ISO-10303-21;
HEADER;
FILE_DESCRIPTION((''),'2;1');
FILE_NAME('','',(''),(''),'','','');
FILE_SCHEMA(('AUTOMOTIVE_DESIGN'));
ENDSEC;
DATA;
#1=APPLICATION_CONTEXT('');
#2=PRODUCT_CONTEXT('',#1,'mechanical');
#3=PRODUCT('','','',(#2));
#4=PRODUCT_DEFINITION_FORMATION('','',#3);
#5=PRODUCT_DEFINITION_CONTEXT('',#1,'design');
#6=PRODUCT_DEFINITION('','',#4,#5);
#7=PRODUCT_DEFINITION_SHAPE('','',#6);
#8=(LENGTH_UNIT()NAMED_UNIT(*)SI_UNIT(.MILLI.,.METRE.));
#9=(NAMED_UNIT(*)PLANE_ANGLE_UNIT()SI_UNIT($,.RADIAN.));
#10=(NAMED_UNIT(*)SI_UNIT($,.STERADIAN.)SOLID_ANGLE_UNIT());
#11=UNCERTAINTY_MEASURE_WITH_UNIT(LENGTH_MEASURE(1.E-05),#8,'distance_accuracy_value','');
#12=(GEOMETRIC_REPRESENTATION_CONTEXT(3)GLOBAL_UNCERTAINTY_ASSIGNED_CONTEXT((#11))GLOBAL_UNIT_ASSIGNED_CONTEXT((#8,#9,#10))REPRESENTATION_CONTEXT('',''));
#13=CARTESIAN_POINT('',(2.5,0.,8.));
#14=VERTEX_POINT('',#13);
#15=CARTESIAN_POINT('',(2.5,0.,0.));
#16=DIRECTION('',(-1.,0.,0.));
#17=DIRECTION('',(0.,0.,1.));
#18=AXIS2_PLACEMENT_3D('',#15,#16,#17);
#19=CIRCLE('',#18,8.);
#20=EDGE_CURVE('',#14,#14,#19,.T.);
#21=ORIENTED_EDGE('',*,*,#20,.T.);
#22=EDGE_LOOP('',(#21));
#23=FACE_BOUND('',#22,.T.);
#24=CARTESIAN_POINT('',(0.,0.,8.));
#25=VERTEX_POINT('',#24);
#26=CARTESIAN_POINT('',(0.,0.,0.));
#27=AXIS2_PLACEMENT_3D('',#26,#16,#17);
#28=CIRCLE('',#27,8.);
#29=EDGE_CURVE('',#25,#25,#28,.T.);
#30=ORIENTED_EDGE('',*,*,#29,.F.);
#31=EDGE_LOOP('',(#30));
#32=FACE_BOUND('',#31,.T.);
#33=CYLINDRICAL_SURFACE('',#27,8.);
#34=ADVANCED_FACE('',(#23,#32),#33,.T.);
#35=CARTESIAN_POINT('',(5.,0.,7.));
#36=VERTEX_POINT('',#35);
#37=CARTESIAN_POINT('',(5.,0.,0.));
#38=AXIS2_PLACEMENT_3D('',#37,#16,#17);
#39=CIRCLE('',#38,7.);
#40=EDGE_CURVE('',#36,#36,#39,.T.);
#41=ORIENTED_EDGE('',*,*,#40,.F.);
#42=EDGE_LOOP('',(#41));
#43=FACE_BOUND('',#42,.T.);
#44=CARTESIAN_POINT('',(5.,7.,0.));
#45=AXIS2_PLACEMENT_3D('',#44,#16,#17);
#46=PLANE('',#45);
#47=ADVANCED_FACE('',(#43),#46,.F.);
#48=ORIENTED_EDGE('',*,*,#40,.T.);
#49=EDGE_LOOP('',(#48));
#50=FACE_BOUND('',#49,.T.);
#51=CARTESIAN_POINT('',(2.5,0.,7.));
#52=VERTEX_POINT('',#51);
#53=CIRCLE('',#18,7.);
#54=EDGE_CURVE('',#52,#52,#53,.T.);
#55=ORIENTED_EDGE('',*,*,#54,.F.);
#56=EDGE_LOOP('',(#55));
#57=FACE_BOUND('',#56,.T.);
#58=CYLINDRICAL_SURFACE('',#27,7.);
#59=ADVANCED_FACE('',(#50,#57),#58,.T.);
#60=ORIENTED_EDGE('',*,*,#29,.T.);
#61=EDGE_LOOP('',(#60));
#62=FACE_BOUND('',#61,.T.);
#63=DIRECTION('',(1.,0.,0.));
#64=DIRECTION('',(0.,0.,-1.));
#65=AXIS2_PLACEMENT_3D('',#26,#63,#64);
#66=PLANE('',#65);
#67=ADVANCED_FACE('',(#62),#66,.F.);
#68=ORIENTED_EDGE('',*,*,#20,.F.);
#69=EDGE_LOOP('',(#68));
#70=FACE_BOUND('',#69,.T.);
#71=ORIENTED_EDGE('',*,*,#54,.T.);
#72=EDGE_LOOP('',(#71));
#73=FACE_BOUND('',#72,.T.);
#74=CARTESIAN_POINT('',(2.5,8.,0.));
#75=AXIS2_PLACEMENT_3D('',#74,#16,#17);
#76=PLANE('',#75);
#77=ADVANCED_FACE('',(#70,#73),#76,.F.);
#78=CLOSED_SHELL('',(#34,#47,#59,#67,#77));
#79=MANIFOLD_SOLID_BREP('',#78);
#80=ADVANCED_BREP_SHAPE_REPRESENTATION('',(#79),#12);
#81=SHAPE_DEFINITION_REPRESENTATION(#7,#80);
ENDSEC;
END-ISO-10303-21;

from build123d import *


with BuildPart() as part:
    # Эскиз1 → Повернуть1 (revolve)
    with BuildSketch(Plane.XY, mode=Mode.PRIVATE) as revolve_1_sk:
        Polygon((0, 0), (0, 8), (2.5, 8), (2.5, 7), (5, 7), (5, 0), align=None)
    revolve(revolve_1_sk.sketch.rotate(Axis((0, 0, 0), (1, 0, 0)), 90), axis=Axis((0, 0, 0), (1, 0, 0)))


solid = part.part
